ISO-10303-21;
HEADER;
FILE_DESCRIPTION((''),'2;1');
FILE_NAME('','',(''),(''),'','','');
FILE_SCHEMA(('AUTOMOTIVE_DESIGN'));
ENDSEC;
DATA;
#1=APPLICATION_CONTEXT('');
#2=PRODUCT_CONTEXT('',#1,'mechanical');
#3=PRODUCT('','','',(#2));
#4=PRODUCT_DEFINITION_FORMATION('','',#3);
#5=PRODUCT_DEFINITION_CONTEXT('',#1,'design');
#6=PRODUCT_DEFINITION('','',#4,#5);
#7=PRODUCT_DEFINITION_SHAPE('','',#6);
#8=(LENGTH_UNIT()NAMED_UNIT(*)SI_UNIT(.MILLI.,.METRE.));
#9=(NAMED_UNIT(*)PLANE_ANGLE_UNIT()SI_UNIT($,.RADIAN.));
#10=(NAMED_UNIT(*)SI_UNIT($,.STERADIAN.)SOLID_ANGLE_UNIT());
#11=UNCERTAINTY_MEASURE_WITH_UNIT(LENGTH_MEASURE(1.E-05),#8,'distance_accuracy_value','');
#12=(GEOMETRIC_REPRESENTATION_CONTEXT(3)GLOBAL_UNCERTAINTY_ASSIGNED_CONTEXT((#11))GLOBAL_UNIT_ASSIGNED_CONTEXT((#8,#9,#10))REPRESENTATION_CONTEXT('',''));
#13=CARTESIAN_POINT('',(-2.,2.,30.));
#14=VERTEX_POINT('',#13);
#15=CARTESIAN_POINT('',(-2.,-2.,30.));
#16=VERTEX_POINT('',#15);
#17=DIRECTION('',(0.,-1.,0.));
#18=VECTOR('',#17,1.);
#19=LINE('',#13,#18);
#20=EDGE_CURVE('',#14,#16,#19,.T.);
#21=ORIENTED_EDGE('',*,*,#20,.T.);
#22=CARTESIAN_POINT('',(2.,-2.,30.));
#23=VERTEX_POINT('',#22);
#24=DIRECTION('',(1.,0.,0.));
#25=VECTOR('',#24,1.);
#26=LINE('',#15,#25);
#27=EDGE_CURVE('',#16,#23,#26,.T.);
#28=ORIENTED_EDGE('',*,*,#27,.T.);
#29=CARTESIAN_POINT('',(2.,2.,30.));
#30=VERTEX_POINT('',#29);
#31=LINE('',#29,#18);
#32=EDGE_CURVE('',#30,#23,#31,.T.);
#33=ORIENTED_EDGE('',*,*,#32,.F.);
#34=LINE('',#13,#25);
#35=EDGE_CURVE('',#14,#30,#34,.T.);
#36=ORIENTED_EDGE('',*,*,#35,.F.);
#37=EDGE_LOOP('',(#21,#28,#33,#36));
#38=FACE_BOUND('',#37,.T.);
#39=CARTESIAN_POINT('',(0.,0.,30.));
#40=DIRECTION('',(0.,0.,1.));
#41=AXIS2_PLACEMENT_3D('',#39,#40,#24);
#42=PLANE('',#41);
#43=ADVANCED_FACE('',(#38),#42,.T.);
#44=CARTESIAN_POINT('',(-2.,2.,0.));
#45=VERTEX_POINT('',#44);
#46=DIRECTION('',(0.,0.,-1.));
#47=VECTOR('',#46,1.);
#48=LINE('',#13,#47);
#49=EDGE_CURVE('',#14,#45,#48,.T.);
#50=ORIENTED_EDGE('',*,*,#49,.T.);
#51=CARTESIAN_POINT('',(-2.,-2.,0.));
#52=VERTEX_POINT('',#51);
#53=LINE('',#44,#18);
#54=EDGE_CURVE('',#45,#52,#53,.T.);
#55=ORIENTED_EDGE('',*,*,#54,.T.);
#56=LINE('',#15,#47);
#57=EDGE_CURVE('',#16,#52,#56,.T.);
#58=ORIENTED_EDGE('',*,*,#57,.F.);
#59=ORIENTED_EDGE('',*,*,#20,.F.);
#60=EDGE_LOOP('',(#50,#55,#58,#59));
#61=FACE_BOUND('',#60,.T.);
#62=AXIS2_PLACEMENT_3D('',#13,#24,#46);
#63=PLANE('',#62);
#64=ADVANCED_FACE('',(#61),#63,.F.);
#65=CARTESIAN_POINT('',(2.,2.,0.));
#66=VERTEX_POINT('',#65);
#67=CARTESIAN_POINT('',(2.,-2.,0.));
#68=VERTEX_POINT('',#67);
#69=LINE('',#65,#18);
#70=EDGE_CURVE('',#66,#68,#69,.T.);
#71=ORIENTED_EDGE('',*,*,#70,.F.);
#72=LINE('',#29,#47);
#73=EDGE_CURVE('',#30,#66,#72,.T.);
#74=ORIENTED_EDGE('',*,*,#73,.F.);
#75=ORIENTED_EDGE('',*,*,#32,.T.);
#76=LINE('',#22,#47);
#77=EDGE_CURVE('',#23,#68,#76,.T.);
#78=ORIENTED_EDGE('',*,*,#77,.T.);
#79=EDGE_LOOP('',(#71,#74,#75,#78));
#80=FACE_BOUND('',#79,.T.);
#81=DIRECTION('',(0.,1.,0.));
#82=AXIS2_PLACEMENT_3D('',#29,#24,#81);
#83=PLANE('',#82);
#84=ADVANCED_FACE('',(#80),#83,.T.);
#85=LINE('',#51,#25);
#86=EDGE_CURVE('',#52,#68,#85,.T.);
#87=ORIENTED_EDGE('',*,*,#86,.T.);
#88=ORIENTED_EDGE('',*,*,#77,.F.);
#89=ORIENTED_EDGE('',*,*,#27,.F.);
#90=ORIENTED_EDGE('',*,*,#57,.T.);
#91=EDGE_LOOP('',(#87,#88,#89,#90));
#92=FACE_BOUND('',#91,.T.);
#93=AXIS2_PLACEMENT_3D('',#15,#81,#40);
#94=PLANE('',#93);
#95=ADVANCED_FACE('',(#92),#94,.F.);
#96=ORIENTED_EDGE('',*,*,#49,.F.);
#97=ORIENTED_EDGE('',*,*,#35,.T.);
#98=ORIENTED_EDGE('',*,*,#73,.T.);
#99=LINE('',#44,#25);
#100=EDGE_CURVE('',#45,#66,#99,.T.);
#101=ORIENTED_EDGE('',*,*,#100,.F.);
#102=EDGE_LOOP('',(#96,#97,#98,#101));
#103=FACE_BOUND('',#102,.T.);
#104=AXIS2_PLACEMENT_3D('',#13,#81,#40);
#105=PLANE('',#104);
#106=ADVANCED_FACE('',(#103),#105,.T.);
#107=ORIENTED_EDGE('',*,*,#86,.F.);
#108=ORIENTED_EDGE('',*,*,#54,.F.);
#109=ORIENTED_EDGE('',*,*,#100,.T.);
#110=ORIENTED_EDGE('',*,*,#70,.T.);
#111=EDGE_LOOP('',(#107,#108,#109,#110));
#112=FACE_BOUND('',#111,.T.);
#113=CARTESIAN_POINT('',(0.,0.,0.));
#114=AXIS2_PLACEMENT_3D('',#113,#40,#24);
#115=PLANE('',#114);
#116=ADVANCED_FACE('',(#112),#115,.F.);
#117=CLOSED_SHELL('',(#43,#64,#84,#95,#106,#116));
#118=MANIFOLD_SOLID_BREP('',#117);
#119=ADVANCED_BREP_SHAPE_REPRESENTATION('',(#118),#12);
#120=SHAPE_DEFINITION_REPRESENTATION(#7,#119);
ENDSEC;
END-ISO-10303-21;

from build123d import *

# Parameters (mm, degrees)
SKETCH_1_W      = 4
SKETCH_1_H      = 4
EXTRUDE_1_DEPTH = 30


with BuildPart() as part:
    # 草圖1 → 填料-伸長1 (new body)
    with BuildSketch(Plane.XY):
        Rectangle(SKETCH_1_W, SKETCH_1_H)
    extrude(amount=EXTRUDE_1_DEPTH)


solid = part.part
